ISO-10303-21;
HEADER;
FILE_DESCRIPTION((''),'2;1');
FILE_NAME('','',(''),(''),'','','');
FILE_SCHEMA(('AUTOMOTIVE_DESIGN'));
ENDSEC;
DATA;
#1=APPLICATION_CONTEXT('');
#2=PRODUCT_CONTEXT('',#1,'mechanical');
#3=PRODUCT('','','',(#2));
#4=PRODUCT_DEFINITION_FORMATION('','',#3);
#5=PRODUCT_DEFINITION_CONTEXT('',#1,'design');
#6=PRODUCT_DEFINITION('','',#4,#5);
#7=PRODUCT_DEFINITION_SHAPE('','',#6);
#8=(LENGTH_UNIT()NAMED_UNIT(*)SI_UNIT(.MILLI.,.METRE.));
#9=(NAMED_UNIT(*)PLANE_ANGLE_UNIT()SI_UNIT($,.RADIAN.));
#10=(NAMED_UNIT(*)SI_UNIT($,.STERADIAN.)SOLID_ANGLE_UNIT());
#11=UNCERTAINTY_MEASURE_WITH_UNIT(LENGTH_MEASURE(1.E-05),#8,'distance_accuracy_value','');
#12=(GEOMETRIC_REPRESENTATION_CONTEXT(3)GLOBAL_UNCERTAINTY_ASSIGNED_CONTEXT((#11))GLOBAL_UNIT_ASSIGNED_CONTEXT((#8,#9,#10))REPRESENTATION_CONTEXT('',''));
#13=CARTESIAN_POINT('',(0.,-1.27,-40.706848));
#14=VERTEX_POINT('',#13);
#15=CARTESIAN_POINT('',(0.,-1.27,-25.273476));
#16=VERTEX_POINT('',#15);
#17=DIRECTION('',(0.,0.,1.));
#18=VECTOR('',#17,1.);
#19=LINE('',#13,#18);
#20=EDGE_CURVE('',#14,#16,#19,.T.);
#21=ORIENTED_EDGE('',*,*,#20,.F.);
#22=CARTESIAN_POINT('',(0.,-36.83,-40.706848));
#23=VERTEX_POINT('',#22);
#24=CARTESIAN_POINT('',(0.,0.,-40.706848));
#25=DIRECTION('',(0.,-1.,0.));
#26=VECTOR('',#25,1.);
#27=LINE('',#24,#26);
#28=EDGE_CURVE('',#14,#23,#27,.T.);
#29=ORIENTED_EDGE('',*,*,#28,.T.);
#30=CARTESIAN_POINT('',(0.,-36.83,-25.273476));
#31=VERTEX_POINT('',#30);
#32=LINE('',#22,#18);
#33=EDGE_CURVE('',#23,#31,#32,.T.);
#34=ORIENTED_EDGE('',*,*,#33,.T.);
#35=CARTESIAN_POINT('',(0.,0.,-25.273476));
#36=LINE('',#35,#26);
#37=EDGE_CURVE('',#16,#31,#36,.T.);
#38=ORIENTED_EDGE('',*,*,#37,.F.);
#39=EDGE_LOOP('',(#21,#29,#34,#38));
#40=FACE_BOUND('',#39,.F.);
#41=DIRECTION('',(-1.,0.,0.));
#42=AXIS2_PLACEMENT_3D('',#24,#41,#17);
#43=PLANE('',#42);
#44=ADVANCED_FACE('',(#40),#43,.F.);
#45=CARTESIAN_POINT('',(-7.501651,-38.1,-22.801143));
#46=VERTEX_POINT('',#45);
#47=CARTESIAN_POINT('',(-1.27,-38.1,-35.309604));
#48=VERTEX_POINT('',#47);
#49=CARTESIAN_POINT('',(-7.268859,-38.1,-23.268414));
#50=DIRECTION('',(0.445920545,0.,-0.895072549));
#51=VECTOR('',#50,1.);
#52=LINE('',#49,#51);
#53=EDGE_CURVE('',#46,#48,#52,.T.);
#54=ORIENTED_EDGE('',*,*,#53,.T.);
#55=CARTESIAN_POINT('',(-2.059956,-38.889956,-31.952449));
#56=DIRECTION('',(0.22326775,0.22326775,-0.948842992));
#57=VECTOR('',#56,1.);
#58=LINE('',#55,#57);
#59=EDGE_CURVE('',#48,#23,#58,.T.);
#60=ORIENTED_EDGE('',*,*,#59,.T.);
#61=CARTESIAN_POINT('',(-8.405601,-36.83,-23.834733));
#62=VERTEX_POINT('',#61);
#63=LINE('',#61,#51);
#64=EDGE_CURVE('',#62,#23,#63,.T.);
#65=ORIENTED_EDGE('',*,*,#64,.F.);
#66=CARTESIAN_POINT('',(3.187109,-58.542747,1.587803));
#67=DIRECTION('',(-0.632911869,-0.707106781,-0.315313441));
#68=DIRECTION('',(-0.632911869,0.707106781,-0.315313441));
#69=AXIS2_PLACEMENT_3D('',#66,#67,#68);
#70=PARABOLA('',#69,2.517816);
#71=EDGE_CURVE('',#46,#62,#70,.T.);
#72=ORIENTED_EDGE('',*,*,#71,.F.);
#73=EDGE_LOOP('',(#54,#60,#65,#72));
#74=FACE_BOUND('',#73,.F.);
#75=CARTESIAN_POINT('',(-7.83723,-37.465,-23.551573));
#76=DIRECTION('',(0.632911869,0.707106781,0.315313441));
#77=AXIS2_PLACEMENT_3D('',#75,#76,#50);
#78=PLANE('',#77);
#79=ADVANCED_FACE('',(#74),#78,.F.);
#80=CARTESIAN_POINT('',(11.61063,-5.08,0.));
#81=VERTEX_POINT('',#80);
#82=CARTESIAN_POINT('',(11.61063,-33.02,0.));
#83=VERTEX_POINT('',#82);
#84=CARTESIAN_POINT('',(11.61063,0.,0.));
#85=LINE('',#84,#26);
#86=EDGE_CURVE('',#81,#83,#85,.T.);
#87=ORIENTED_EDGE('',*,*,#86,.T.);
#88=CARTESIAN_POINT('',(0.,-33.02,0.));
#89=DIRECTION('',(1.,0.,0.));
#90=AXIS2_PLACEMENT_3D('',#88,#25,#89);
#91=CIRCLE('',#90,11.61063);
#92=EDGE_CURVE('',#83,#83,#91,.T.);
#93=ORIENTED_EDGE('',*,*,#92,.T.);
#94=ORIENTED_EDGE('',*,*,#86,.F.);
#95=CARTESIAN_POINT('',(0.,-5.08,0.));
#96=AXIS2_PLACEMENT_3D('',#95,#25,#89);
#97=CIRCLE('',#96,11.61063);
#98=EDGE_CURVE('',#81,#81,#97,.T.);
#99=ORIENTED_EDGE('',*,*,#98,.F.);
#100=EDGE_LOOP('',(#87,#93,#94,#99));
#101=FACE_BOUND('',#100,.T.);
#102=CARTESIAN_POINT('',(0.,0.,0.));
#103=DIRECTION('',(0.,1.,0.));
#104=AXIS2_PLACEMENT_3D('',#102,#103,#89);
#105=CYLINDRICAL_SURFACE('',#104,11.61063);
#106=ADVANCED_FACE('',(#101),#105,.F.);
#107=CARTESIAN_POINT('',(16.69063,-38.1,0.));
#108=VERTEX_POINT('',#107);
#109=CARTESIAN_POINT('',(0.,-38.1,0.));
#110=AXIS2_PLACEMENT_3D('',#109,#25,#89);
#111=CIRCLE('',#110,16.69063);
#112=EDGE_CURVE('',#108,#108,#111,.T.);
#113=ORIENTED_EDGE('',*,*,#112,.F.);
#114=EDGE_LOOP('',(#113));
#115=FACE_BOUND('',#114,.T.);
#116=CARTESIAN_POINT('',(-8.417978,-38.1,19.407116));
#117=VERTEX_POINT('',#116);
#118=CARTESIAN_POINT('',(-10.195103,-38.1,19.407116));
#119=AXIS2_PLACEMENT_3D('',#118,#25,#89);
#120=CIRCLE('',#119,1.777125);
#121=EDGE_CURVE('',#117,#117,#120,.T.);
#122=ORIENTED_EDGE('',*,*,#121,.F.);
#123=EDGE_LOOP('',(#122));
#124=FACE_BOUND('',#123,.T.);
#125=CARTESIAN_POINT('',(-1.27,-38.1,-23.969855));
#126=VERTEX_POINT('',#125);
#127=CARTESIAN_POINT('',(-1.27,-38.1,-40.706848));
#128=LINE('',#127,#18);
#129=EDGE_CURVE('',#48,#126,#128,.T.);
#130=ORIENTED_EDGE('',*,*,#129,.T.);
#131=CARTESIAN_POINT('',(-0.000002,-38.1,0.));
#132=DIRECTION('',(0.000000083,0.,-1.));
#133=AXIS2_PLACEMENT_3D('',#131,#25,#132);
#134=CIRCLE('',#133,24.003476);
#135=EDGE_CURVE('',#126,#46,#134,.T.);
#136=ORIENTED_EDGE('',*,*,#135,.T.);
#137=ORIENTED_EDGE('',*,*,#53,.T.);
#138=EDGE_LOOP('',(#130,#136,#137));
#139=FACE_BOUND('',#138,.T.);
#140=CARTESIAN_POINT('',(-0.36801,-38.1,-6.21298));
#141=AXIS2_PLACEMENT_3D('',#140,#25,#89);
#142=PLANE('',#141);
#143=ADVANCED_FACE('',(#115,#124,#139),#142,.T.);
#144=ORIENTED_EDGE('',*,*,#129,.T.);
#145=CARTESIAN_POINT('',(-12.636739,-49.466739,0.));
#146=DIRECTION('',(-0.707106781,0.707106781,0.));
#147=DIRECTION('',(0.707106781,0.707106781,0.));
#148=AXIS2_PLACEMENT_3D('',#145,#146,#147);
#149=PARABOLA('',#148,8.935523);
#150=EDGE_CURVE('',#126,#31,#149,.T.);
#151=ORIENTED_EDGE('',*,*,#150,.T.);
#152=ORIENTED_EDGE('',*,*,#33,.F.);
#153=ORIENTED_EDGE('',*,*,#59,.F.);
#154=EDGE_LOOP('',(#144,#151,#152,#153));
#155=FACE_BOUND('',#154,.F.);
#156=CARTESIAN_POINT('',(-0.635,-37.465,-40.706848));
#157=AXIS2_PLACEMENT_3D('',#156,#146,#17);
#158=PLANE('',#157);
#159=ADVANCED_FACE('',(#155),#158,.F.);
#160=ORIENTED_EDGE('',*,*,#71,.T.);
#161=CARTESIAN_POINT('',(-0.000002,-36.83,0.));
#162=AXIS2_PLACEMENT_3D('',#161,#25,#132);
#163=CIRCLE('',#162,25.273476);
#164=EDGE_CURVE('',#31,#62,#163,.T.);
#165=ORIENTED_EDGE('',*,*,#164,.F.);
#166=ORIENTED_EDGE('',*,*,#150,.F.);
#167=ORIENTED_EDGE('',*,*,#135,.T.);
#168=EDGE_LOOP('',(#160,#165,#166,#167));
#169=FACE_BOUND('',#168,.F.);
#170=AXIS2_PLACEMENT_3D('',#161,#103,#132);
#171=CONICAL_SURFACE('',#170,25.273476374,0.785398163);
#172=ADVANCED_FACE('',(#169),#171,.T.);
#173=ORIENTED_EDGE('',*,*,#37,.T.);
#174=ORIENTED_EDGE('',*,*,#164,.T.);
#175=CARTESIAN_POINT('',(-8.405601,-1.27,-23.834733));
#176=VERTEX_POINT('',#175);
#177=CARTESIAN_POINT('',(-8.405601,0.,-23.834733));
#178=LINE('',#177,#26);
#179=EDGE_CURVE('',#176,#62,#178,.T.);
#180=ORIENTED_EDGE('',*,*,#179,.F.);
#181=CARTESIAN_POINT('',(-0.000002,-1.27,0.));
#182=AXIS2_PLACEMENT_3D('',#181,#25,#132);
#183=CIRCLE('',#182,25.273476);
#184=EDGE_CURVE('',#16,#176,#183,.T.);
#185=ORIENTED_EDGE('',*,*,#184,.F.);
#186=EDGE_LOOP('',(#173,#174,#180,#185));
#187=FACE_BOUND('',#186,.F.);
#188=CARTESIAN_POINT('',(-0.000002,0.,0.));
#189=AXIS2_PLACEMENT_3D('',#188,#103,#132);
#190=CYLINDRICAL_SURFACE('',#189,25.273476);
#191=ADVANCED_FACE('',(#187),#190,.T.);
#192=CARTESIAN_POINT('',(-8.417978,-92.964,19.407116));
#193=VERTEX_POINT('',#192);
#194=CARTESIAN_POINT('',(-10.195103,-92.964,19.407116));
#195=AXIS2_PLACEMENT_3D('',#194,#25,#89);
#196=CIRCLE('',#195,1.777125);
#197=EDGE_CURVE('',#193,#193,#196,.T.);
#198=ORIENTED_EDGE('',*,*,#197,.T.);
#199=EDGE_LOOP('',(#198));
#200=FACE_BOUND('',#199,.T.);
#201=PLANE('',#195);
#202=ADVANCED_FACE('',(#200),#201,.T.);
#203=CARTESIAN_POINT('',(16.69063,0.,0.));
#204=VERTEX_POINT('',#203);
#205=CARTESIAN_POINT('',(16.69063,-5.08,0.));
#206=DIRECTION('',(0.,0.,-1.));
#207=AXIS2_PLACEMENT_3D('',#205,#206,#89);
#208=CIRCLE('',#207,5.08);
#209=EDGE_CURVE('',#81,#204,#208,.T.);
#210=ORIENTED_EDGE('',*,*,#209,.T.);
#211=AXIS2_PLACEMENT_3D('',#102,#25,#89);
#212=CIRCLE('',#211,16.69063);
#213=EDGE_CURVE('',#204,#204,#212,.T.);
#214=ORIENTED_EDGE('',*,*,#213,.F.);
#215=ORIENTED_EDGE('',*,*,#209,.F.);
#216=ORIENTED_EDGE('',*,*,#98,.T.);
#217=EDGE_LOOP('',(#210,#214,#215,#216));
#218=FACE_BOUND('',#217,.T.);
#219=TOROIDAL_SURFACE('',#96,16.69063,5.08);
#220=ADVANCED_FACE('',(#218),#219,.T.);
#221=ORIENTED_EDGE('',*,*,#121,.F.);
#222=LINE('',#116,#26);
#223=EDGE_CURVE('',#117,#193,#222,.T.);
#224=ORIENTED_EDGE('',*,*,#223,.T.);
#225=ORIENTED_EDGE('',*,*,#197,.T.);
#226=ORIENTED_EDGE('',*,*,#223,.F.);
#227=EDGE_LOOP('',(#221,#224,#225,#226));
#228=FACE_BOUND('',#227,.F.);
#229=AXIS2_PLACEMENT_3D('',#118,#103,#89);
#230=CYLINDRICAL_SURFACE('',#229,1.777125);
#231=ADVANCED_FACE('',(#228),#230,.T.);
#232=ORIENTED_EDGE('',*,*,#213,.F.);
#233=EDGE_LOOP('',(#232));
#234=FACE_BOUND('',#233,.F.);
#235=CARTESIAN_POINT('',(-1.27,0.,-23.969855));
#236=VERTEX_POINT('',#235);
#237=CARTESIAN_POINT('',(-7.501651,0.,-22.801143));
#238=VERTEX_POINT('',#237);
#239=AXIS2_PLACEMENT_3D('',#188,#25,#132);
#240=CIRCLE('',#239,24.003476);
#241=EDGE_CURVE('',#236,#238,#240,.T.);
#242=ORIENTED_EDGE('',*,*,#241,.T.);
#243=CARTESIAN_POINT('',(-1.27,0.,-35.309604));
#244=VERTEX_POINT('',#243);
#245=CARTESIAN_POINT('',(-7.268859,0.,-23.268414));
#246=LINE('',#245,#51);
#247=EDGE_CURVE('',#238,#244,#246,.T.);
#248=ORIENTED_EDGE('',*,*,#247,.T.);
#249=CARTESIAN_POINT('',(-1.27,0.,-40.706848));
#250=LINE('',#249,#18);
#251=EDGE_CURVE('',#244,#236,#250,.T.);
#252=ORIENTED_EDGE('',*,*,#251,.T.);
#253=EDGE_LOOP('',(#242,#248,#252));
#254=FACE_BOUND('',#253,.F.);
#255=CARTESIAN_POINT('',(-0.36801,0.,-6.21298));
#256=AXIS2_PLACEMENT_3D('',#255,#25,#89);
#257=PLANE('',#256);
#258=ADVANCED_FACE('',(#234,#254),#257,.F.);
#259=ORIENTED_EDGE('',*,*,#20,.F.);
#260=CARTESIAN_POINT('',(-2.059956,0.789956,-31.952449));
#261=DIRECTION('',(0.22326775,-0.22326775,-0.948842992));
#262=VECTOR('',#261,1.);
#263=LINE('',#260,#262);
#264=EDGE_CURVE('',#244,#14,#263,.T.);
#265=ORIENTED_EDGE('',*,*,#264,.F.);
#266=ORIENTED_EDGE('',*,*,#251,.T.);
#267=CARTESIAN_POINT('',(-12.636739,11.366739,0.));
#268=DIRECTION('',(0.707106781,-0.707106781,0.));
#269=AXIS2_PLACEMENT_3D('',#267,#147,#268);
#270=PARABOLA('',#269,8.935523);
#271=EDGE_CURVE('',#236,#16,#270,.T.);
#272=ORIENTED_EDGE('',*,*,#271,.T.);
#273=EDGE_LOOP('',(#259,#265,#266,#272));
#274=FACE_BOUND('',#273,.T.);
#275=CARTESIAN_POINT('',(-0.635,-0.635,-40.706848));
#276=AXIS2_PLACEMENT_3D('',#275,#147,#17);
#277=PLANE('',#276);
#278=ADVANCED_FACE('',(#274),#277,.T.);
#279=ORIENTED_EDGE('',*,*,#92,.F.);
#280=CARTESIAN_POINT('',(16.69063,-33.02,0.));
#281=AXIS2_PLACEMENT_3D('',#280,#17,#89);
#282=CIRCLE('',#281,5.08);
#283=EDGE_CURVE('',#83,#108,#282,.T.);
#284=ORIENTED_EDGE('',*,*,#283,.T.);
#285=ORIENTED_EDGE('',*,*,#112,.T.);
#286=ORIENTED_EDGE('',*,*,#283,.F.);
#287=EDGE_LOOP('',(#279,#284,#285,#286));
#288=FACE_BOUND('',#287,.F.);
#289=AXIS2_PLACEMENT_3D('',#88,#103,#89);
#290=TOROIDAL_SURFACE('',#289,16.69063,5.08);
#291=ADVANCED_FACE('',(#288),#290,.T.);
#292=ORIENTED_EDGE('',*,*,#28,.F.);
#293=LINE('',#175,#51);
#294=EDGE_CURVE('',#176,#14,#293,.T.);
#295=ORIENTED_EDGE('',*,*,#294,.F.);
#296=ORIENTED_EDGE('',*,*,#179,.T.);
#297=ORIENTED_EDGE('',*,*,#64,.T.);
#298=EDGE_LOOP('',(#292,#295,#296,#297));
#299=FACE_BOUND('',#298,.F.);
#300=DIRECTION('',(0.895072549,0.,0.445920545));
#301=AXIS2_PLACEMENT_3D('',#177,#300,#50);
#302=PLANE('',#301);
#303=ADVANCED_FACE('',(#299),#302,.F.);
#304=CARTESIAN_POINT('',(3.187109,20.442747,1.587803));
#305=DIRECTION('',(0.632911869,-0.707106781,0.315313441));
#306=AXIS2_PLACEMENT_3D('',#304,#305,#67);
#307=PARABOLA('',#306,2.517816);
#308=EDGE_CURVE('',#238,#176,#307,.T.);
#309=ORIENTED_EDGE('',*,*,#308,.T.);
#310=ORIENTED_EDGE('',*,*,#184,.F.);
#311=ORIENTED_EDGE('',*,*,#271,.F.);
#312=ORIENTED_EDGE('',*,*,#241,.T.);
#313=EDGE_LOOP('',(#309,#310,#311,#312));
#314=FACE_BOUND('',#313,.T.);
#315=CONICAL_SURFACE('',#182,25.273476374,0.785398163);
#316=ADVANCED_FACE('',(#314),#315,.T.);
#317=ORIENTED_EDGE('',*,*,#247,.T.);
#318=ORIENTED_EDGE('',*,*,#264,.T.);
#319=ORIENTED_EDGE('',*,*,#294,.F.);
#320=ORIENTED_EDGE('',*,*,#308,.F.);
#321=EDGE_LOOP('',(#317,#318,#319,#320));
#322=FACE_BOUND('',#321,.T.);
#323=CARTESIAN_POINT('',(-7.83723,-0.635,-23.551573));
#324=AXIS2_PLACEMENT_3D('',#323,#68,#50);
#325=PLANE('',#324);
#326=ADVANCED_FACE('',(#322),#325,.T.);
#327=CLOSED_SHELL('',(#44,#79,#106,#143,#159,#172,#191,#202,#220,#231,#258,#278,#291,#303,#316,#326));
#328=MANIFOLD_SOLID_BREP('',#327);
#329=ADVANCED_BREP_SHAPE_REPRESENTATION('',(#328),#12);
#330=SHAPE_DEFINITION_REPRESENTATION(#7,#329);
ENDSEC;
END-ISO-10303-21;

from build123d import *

# Parameters (mm, degrees)
F0_R     = 11.61063
F1_DEPTH = 38.1
F2_R     = 5.08
F3_SIZE  = 1.27
F5_R     = 1.777125
F6_DEPTH = 54.864


with BuildPart() as f1:
    # F0 (on Front) → F1 (new body)
    with BuildSketch(Plane.XZ):
        with BuildLine():
            Line((0, -40.706848), (0, -25.273476))
            ThreePointArc((0, -25.273476), (4.263921, 24.911194), (-8.405601, -23.834733))
            Line((-8.405601, -23.834733), (0, -40.706848))
        make_face()
        Circle(F0_R, mode=Mode.SUBTRACT)
    extrude(amount=F1_DEPTH)

    # F2
    f2_edges = [f1.edges().sort_by_distance(p)[0] for p in [
        (-11.61063, 0, 0),
        (-11.61063, -38.1, 0),
    ]]
    fillet(f2_edges, radius=F2_R)

    # F3
    f3_edges = [f1.edges().sort_by_distance(p)[0] for p in [
        (4.263921, -38.1, 24.911194),
        (0, -38.1, -32.990162),
        (4.263921, 0, 24.911194),
        (0, 0, -32.990162),
        (-4.2028, 0, -32.27079),
        (-4.2028, -38.1, -32.27079),
    ]]
    chamfer(f3_edges, length=F3_SIZE)

    # F5 (on face) → F6 (join)
    with BuildSketch(Plane.XZ.offset(38.1)):
        with Locations((-10.195103, 19.407116)):
            Circle(F5_R)
    extrude(amount=F6_DEPTH)


solid = f1.part
